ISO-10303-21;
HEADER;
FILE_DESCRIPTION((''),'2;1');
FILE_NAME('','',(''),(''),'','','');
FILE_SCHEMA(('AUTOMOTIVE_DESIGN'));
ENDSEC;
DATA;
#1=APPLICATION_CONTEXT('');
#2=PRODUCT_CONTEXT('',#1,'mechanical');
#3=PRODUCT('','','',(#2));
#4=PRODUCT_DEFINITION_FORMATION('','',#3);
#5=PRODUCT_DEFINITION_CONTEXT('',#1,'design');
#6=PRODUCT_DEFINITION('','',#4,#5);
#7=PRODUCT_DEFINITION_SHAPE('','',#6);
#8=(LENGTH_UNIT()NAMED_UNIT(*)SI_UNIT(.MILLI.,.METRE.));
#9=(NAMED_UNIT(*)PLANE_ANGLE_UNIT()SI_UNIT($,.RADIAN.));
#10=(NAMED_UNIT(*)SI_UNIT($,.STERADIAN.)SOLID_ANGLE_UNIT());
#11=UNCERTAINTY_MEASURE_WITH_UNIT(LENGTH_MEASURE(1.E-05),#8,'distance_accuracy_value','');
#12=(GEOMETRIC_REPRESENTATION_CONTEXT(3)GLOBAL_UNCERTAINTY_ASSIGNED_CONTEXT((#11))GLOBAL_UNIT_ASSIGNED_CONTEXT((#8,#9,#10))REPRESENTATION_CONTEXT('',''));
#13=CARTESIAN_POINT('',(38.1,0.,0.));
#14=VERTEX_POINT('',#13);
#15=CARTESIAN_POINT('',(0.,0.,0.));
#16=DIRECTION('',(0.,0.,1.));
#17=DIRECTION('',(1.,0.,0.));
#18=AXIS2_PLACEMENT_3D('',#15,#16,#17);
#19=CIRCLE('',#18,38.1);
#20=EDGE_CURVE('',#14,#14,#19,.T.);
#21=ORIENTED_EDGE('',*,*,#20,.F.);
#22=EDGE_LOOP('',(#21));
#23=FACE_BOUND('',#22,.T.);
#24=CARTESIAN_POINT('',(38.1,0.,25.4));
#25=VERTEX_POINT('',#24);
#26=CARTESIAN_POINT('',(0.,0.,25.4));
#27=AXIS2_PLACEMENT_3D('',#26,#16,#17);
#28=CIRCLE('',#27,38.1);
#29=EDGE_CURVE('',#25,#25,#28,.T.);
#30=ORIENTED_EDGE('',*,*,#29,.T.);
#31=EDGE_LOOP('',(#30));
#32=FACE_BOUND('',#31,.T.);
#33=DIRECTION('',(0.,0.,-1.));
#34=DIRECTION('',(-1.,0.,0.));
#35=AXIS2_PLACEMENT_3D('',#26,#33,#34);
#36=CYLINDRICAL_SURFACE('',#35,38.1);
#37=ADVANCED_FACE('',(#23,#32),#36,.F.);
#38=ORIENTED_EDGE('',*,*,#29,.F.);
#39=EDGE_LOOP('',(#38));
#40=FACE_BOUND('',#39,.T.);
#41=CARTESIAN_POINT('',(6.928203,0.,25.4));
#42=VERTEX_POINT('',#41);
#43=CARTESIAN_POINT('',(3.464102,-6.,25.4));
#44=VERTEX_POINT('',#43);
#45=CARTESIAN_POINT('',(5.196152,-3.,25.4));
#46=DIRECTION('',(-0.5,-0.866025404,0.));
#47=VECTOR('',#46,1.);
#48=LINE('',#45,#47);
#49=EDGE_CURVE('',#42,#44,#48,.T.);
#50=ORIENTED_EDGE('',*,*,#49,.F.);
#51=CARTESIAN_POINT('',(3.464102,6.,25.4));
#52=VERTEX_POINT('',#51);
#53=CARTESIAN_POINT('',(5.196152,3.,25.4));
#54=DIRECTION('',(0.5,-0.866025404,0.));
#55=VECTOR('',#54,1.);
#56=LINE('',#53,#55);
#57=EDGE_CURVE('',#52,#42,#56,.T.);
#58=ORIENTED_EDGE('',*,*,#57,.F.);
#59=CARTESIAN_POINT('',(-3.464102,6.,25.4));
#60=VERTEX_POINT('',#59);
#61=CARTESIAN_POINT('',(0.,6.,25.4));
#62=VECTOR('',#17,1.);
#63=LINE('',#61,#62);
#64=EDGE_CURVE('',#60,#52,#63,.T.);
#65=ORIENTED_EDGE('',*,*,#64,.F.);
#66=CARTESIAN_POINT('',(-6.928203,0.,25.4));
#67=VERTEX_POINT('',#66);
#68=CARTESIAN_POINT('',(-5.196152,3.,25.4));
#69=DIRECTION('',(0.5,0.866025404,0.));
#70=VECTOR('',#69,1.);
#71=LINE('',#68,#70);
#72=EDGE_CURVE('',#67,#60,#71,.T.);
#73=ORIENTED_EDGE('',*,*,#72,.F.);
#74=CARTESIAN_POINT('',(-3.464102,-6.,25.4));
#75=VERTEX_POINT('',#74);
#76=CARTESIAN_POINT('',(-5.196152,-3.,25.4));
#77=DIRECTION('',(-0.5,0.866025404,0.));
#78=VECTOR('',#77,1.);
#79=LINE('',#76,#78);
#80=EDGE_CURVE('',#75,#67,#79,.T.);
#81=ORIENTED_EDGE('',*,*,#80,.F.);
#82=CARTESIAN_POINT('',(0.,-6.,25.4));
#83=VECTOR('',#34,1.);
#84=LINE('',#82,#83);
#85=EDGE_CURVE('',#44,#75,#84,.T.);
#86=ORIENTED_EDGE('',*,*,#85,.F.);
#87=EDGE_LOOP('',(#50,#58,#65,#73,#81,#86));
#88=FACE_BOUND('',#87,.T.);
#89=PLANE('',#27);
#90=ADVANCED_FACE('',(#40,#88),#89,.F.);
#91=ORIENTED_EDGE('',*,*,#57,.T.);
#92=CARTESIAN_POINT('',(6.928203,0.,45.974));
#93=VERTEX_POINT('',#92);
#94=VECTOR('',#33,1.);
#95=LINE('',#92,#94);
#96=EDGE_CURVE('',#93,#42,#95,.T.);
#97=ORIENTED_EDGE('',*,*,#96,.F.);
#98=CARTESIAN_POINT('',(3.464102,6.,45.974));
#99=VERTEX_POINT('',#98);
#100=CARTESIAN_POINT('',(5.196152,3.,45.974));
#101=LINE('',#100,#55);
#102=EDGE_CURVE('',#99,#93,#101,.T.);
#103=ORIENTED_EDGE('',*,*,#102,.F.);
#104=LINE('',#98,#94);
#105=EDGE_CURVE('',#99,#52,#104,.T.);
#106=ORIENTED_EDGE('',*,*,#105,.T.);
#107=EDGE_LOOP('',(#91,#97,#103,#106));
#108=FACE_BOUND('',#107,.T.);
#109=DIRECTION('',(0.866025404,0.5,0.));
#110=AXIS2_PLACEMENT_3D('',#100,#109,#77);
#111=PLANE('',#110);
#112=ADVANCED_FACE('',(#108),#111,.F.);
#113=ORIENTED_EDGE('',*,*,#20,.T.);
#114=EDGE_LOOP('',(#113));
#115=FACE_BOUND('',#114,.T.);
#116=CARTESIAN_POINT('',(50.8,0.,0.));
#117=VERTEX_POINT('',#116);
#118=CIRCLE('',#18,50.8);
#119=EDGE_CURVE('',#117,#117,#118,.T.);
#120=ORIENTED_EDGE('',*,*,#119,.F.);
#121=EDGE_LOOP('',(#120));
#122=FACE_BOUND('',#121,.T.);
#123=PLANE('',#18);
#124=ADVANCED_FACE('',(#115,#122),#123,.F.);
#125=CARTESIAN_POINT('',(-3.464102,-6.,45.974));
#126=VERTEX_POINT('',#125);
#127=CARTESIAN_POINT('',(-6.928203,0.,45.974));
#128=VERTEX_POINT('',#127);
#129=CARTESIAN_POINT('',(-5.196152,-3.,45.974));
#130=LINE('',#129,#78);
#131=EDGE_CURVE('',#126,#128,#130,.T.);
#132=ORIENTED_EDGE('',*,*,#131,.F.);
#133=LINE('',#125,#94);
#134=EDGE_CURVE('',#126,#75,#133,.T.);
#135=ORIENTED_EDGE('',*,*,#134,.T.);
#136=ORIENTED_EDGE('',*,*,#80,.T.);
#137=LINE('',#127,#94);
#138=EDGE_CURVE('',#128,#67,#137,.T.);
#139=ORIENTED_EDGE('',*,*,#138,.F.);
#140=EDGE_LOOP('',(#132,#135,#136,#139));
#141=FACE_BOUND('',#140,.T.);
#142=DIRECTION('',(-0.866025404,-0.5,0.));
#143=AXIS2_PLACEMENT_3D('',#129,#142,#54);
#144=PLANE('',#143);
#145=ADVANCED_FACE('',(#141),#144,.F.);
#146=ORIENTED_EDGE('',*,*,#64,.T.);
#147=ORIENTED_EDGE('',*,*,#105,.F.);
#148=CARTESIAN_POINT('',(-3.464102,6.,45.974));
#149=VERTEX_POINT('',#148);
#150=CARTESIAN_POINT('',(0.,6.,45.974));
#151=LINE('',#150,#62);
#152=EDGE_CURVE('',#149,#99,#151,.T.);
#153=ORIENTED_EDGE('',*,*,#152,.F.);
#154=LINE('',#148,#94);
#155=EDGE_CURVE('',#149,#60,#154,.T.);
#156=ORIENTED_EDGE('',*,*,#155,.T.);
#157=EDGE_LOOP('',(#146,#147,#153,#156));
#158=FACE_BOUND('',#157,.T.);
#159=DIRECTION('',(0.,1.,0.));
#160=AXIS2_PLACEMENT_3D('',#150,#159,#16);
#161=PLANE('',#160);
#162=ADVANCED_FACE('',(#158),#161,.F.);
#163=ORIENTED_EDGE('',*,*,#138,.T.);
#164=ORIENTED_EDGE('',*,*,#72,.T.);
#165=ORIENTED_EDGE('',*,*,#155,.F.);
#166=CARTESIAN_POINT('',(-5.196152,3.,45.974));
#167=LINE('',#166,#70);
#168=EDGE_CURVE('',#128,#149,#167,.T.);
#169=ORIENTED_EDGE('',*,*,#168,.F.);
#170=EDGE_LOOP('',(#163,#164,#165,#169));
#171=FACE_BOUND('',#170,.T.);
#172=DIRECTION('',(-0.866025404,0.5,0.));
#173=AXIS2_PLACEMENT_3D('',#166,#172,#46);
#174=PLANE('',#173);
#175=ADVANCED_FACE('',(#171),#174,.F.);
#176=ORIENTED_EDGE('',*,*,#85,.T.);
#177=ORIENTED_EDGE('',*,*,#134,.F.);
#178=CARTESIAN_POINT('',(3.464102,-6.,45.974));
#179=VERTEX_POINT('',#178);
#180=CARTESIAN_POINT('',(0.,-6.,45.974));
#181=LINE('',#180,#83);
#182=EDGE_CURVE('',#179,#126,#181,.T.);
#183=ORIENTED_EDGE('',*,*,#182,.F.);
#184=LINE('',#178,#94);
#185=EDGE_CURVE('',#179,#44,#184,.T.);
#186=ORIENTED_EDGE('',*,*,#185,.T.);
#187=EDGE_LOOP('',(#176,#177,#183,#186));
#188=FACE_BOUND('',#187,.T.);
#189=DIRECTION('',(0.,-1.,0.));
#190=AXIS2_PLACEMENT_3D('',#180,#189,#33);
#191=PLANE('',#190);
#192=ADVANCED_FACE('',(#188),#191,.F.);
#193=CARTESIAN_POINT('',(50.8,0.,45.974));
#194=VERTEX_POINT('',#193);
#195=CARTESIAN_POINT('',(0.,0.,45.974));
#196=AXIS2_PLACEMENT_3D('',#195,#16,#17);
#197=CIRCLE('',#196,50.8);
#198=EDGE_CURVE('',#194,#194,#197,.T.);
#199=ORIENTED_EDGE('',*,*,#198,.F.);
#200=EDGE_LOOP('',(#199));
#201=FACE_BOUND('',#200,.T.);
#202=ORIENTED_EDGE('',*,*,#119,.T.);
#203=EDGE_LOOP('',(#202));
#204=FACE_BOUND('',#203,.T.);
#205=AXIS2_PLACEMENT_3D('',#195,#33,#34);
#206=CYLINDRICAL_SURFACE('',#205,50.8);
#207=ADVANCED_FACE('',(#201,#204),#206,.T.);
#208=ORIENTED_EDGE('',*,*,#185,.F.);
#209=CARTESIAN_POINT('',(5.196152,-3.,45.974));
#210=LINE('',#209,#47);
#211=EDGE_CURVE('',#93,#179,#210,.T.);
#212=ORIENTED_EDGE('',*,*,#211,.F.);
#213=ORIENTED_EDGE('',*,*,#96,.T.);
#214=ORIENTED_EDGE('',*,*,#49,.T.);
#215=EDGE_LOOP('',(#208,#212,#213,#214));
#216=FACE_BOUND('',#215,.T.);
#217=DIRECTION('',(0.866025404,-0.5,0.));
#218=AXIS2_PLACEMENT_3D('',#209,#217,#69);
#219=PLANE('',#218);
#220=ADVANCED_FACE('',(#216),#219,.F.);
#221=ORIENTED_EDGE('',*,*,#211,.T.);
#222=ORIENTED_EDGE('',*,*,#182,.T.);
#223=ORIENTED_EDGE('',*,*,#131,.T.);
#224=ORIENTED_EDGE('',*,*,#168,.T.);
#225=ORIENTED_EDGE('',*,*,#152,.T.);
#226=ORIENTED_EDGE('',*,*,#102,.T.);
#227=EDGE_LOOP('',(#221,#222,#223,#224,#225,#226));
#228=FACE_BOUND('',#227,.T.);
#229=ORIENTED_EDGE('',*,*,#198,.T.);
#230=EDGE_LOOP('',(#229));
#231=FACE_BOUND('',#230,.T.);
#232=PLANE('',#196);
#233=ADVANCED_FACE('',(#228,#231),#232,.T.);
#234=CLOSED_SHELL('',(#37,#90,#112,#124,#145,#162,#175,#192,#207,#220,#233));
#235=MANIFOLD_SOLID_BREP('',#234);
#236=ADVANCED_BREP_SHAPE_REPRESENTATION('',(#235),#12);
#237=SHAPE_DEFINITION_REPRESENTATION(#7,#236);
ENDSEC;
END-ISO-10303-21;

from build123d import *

# Parameters (mm, degrees)
SKETCH1_R           = 50.8
SKETCH1_R_2         = 6.92820323
BOSS_EXTRUDE1_DEPTH = 45.974
SKETCH2_R           = 38.1
CUT_EXTRUDE1_DEPTH  = 25.4


with BuildPart() as part:
    # Sketch1 → Boss-Extrude1 (new body)
    # profile 1 of 7: a face of its own
    with BuildSketch(Plane.XY):
        Circle(SKETCH1_R)
        Circle(SKETCH1_R_2, mode=Mode.SUBTRACT)
    # profile 2 of 7: a face of its own
    with BuildSketch(Plane.XY):
        with BuildLine():
            Line((-3.464101615, -6), (-6.92820323, 0))
            ThreePointArc((-6.92820323, 0), (-6, -3.464101615), (-3.464101615, -6))
        make_face()
    # profile 3 of 7: a face of its own
    with BuildSketch(Plane.XY):
        with BuildLine():
            Line((-6.92820323, 0), (-3.464101615, 6))
            ThreePointArc((-3.464101615, 6), (-6, 3.464101615), (-6.92820323, 0))
        make_face()
    # profile 4 of 7: a face of its own
    with BuildSketch(Plane.XY):
        with BuildLine():
            ThreePointArc((3.464101615, 6), (0, 6.92820323), (-3.464101615, 6))
            Line((-3.464101615, 6), (3.464101615, 6))
        make_face()
    # profile 5 of 7: a face of its own
    with BuildSketch(Plane.XY):
        with BuildLine():
            ThreePointArc((6.92820323, 0), (6, 3.464101615), (3.464101615, 6))
            Line((3.464101615, 6), (6.92820323, 0))
        make_face()
    # profile 6 of 7: a face of its own
    with BuildSketch(Plane.XY):
        with BuildLine():
            ThreePointArc((3.464101615, -6), (6, -3.464101615), (6.92820323, 0))
            Line((6.92820323, 0), (3.464101615, -6))
        make_face()
    # profile 7 of 7: a face of its own
    with BuildSketch(Plane.XY):
        with BuildLine():
            Line((3.464101615, -6), (-3.464101615, -6))
            ThreePointArc((-3.464101615, -6), (0, -6.92820323), (3.464101615, -6))
        make_face()
    extrude(amount=BOSS_EXTRUDE1_DEPTH)

    # Sketch2 → Cut-Extrude1 (cut)
    with BuildSketch(Plane.XY):
        Circle(SKETCH2_R)
    extrude(amount=CUT_EXTRUDE1_DEPTH, mode=Mode.SUBTRACT)


solid = part.part
